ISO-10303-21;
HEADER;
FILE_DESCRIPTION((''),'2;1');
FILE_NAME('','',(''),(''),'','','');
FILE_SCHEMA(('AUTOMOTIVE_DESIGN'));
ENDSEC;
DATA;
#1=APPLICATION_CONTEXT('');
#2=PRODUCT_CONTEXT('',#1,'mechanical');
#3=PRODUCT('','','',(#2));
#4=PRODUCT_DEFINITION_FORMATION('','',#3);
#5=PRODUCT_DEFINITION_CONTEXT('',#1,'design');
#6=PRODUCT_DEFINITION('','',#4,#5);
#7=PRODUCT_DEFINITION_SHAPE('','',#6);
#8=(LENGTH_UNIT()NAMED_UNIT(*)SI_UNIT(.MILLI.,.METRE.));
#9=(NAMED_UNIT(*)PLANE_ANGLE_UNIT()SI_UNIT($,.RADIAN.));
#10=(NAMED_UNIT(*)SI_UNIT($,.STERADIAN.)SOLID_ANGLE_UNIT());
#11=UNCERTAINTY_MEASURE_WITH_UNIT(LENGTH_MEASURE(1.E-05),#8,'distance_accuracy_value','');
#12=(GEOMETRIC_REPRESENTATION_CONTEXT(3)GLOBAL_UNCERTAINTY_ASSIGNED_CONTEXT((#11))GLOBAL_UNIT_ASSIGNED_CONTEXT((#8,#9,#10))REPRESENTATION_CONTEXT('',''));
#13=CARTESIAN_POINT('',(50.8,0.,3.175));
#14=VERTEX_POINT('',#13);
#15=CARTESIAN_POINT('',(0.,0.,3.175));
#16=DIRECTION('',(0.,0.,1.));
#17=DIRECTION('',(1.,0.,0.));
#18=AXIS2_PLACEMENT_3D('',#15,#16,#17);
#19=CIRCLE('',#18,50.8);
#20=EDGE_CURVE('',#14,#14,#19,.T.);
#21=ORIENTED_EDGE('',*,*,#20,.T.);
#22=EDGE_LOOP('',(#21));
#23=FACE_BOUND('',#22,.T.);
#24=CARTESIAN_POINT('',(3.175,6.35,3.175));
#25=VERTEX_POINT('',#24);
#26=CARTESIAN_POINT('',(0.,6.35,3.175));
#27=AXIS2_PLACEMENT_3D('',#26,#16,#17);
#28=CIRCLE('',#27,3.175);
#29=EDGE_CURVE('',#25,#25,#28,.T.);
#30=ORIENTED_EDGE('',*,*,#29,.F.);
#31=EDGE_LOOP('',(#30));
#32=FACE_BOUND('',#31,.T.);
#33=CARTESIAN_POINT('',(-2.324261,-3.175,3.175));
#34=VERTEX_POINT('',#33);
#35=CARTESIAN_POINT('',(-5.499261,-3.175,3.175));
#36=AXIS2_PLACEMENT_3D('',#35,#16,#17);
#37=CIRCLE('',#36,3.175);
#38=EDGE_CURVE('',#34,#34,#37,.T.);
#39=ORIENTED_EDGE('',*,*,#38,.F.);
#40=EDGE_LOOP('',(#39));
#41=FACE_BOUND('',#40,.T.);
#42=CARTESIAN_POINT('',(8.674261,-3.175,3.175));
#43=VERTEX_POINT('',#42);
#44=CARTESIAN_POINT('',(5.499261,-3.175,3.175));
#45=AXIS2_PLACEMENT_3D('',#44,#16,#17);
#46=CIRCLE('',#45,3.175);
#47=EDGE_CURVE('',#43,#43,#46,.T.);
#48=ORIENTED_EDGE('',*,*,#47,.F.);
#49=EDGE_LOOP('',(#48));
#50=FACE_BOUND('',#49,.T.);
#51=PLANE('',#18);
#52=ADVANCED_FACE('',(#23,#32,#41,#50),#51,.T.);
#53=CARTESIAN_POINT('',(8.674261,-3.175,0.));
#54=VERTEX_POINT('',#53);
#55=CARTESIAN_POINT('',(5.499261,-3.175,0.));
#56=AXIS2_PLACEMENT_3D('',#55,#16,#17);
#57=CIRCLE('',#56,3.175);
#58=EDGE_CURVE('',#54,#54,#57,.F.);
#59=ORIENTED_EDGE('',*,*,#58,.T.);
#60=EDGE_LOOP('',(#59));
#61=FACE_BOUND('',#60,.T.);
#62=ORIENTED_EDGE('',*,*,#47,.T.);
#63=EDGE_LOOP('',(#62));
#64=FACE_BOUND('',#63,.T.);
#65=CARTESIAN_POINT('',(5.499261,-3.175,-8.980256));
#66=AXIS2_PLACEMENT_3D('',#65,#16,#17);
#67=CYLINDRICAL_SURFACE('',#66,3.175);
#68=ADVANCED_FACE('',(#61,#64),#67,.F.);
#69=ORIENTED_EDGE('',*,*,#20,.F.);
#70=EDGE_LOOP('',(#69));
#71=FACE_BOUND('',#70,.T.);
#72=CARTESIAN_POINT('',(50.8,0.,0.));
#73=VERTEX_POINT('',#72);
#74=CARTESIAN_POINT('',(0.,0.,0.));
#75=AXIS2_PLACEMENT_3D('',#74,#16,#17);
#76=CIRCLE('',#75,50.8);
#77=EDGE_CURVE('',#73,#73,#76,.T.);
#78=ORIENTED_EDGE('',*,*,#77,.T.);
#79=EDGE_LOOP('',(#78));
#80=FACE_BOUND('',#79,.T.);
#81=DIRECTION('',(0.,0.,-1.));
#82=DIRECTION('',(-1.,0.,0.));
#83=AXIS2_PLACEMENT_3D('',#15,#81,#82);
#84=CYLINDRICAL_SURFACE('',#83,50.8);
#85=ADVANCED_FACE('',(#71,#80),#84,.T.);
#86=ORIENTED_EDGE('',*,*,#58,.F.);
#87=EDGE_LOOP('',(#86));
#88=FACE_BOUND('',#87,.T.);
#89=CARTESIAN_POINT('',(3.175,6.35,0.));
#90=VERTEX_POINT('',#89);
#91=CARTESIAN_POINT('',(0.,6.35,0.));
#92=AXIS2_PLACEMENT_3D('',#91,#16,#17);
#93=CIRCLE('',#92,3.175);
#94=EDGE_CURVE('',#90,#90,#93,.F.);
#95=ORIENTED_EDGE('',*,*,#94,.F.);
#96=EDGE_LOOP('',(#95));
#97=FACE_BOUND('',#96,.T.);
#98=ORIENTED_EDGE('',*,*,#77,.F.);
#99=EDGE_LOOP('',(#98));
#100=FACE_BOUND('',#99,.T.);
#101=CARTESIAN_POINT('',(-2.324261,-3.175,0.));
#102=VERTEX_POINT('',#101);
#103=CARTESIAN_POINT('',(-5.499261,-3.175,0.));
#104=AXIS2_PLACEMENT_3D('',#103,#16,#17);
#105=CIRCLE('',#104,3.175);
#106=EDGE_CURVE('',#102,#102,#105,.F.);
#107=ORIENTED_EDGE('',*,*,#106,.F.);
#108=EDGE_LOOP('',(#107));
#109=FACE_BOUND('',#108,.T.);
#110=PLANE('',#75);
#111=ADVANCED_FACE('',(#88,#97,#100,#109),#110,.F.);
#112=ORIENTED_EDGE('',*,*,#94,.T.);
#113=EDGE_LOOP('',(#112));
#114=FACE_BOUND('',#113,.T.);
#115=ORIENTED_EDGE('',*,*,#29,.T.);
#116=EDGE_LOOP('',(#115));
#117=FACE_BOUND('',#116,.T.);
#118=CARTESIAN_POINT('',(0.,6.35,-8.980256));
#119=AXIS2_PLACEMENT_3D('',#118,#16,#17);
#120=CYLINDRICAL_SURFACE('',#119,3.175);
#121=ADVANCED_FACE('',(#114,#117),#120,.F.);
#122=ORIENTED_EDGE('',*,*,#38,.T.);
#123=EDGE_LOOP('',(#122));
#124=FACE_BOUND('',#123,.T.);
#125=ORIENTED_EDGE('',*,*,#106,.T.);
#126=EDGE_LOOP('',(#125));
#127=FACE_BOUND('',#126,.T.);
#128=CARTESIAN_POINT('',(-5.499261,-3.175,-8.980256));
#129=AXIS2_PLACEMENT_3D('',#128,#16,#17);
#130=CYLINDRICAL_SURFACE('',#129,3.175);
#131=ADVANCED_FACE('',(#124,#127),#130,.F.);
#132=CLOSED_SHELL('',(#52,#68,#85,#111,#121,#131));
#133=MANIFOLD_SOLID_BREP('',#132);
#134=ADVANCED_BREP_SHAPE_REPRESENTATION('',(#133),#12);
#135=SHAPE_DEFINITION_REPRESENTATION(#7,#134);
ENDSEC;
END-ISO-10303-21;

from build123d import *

# Parameters (mm, degrees)
SKETCH1_R           = 50.8
BOSS_EXTRUDE1_DEPTH = 3.175
SKETCH2_R           = 3.175
CUT_EXTRUDE1_DEPTH  = 3.175


with BuildPart() as part:
    # Sketch1 → Boss-Extrude1 (new body)
    with BuildSketch(Plane.XY):
        Circle(SKETCH1_R)
    extrude(amount=BOSS_EXTRUDE1_DEPTH)

    # Sketch2 → Cut-Extrude1 (cut)
    with BuildSketch(Plane.XY.offset(3.175)):
        with Locations((0, 6.35)):
            Circle(SKETCH2_R)
        with Locations((5.499261314, -3.175)):
            Circle(SKETCH2_R)
        with Locations((-5.499261314, -3.175)):
            Circle(SKETCH2_R)
    extrude(amount=-CUT_EXTRUDE1_DEPTH, mode=Mode.SUBTRACT)


solid = part.part
